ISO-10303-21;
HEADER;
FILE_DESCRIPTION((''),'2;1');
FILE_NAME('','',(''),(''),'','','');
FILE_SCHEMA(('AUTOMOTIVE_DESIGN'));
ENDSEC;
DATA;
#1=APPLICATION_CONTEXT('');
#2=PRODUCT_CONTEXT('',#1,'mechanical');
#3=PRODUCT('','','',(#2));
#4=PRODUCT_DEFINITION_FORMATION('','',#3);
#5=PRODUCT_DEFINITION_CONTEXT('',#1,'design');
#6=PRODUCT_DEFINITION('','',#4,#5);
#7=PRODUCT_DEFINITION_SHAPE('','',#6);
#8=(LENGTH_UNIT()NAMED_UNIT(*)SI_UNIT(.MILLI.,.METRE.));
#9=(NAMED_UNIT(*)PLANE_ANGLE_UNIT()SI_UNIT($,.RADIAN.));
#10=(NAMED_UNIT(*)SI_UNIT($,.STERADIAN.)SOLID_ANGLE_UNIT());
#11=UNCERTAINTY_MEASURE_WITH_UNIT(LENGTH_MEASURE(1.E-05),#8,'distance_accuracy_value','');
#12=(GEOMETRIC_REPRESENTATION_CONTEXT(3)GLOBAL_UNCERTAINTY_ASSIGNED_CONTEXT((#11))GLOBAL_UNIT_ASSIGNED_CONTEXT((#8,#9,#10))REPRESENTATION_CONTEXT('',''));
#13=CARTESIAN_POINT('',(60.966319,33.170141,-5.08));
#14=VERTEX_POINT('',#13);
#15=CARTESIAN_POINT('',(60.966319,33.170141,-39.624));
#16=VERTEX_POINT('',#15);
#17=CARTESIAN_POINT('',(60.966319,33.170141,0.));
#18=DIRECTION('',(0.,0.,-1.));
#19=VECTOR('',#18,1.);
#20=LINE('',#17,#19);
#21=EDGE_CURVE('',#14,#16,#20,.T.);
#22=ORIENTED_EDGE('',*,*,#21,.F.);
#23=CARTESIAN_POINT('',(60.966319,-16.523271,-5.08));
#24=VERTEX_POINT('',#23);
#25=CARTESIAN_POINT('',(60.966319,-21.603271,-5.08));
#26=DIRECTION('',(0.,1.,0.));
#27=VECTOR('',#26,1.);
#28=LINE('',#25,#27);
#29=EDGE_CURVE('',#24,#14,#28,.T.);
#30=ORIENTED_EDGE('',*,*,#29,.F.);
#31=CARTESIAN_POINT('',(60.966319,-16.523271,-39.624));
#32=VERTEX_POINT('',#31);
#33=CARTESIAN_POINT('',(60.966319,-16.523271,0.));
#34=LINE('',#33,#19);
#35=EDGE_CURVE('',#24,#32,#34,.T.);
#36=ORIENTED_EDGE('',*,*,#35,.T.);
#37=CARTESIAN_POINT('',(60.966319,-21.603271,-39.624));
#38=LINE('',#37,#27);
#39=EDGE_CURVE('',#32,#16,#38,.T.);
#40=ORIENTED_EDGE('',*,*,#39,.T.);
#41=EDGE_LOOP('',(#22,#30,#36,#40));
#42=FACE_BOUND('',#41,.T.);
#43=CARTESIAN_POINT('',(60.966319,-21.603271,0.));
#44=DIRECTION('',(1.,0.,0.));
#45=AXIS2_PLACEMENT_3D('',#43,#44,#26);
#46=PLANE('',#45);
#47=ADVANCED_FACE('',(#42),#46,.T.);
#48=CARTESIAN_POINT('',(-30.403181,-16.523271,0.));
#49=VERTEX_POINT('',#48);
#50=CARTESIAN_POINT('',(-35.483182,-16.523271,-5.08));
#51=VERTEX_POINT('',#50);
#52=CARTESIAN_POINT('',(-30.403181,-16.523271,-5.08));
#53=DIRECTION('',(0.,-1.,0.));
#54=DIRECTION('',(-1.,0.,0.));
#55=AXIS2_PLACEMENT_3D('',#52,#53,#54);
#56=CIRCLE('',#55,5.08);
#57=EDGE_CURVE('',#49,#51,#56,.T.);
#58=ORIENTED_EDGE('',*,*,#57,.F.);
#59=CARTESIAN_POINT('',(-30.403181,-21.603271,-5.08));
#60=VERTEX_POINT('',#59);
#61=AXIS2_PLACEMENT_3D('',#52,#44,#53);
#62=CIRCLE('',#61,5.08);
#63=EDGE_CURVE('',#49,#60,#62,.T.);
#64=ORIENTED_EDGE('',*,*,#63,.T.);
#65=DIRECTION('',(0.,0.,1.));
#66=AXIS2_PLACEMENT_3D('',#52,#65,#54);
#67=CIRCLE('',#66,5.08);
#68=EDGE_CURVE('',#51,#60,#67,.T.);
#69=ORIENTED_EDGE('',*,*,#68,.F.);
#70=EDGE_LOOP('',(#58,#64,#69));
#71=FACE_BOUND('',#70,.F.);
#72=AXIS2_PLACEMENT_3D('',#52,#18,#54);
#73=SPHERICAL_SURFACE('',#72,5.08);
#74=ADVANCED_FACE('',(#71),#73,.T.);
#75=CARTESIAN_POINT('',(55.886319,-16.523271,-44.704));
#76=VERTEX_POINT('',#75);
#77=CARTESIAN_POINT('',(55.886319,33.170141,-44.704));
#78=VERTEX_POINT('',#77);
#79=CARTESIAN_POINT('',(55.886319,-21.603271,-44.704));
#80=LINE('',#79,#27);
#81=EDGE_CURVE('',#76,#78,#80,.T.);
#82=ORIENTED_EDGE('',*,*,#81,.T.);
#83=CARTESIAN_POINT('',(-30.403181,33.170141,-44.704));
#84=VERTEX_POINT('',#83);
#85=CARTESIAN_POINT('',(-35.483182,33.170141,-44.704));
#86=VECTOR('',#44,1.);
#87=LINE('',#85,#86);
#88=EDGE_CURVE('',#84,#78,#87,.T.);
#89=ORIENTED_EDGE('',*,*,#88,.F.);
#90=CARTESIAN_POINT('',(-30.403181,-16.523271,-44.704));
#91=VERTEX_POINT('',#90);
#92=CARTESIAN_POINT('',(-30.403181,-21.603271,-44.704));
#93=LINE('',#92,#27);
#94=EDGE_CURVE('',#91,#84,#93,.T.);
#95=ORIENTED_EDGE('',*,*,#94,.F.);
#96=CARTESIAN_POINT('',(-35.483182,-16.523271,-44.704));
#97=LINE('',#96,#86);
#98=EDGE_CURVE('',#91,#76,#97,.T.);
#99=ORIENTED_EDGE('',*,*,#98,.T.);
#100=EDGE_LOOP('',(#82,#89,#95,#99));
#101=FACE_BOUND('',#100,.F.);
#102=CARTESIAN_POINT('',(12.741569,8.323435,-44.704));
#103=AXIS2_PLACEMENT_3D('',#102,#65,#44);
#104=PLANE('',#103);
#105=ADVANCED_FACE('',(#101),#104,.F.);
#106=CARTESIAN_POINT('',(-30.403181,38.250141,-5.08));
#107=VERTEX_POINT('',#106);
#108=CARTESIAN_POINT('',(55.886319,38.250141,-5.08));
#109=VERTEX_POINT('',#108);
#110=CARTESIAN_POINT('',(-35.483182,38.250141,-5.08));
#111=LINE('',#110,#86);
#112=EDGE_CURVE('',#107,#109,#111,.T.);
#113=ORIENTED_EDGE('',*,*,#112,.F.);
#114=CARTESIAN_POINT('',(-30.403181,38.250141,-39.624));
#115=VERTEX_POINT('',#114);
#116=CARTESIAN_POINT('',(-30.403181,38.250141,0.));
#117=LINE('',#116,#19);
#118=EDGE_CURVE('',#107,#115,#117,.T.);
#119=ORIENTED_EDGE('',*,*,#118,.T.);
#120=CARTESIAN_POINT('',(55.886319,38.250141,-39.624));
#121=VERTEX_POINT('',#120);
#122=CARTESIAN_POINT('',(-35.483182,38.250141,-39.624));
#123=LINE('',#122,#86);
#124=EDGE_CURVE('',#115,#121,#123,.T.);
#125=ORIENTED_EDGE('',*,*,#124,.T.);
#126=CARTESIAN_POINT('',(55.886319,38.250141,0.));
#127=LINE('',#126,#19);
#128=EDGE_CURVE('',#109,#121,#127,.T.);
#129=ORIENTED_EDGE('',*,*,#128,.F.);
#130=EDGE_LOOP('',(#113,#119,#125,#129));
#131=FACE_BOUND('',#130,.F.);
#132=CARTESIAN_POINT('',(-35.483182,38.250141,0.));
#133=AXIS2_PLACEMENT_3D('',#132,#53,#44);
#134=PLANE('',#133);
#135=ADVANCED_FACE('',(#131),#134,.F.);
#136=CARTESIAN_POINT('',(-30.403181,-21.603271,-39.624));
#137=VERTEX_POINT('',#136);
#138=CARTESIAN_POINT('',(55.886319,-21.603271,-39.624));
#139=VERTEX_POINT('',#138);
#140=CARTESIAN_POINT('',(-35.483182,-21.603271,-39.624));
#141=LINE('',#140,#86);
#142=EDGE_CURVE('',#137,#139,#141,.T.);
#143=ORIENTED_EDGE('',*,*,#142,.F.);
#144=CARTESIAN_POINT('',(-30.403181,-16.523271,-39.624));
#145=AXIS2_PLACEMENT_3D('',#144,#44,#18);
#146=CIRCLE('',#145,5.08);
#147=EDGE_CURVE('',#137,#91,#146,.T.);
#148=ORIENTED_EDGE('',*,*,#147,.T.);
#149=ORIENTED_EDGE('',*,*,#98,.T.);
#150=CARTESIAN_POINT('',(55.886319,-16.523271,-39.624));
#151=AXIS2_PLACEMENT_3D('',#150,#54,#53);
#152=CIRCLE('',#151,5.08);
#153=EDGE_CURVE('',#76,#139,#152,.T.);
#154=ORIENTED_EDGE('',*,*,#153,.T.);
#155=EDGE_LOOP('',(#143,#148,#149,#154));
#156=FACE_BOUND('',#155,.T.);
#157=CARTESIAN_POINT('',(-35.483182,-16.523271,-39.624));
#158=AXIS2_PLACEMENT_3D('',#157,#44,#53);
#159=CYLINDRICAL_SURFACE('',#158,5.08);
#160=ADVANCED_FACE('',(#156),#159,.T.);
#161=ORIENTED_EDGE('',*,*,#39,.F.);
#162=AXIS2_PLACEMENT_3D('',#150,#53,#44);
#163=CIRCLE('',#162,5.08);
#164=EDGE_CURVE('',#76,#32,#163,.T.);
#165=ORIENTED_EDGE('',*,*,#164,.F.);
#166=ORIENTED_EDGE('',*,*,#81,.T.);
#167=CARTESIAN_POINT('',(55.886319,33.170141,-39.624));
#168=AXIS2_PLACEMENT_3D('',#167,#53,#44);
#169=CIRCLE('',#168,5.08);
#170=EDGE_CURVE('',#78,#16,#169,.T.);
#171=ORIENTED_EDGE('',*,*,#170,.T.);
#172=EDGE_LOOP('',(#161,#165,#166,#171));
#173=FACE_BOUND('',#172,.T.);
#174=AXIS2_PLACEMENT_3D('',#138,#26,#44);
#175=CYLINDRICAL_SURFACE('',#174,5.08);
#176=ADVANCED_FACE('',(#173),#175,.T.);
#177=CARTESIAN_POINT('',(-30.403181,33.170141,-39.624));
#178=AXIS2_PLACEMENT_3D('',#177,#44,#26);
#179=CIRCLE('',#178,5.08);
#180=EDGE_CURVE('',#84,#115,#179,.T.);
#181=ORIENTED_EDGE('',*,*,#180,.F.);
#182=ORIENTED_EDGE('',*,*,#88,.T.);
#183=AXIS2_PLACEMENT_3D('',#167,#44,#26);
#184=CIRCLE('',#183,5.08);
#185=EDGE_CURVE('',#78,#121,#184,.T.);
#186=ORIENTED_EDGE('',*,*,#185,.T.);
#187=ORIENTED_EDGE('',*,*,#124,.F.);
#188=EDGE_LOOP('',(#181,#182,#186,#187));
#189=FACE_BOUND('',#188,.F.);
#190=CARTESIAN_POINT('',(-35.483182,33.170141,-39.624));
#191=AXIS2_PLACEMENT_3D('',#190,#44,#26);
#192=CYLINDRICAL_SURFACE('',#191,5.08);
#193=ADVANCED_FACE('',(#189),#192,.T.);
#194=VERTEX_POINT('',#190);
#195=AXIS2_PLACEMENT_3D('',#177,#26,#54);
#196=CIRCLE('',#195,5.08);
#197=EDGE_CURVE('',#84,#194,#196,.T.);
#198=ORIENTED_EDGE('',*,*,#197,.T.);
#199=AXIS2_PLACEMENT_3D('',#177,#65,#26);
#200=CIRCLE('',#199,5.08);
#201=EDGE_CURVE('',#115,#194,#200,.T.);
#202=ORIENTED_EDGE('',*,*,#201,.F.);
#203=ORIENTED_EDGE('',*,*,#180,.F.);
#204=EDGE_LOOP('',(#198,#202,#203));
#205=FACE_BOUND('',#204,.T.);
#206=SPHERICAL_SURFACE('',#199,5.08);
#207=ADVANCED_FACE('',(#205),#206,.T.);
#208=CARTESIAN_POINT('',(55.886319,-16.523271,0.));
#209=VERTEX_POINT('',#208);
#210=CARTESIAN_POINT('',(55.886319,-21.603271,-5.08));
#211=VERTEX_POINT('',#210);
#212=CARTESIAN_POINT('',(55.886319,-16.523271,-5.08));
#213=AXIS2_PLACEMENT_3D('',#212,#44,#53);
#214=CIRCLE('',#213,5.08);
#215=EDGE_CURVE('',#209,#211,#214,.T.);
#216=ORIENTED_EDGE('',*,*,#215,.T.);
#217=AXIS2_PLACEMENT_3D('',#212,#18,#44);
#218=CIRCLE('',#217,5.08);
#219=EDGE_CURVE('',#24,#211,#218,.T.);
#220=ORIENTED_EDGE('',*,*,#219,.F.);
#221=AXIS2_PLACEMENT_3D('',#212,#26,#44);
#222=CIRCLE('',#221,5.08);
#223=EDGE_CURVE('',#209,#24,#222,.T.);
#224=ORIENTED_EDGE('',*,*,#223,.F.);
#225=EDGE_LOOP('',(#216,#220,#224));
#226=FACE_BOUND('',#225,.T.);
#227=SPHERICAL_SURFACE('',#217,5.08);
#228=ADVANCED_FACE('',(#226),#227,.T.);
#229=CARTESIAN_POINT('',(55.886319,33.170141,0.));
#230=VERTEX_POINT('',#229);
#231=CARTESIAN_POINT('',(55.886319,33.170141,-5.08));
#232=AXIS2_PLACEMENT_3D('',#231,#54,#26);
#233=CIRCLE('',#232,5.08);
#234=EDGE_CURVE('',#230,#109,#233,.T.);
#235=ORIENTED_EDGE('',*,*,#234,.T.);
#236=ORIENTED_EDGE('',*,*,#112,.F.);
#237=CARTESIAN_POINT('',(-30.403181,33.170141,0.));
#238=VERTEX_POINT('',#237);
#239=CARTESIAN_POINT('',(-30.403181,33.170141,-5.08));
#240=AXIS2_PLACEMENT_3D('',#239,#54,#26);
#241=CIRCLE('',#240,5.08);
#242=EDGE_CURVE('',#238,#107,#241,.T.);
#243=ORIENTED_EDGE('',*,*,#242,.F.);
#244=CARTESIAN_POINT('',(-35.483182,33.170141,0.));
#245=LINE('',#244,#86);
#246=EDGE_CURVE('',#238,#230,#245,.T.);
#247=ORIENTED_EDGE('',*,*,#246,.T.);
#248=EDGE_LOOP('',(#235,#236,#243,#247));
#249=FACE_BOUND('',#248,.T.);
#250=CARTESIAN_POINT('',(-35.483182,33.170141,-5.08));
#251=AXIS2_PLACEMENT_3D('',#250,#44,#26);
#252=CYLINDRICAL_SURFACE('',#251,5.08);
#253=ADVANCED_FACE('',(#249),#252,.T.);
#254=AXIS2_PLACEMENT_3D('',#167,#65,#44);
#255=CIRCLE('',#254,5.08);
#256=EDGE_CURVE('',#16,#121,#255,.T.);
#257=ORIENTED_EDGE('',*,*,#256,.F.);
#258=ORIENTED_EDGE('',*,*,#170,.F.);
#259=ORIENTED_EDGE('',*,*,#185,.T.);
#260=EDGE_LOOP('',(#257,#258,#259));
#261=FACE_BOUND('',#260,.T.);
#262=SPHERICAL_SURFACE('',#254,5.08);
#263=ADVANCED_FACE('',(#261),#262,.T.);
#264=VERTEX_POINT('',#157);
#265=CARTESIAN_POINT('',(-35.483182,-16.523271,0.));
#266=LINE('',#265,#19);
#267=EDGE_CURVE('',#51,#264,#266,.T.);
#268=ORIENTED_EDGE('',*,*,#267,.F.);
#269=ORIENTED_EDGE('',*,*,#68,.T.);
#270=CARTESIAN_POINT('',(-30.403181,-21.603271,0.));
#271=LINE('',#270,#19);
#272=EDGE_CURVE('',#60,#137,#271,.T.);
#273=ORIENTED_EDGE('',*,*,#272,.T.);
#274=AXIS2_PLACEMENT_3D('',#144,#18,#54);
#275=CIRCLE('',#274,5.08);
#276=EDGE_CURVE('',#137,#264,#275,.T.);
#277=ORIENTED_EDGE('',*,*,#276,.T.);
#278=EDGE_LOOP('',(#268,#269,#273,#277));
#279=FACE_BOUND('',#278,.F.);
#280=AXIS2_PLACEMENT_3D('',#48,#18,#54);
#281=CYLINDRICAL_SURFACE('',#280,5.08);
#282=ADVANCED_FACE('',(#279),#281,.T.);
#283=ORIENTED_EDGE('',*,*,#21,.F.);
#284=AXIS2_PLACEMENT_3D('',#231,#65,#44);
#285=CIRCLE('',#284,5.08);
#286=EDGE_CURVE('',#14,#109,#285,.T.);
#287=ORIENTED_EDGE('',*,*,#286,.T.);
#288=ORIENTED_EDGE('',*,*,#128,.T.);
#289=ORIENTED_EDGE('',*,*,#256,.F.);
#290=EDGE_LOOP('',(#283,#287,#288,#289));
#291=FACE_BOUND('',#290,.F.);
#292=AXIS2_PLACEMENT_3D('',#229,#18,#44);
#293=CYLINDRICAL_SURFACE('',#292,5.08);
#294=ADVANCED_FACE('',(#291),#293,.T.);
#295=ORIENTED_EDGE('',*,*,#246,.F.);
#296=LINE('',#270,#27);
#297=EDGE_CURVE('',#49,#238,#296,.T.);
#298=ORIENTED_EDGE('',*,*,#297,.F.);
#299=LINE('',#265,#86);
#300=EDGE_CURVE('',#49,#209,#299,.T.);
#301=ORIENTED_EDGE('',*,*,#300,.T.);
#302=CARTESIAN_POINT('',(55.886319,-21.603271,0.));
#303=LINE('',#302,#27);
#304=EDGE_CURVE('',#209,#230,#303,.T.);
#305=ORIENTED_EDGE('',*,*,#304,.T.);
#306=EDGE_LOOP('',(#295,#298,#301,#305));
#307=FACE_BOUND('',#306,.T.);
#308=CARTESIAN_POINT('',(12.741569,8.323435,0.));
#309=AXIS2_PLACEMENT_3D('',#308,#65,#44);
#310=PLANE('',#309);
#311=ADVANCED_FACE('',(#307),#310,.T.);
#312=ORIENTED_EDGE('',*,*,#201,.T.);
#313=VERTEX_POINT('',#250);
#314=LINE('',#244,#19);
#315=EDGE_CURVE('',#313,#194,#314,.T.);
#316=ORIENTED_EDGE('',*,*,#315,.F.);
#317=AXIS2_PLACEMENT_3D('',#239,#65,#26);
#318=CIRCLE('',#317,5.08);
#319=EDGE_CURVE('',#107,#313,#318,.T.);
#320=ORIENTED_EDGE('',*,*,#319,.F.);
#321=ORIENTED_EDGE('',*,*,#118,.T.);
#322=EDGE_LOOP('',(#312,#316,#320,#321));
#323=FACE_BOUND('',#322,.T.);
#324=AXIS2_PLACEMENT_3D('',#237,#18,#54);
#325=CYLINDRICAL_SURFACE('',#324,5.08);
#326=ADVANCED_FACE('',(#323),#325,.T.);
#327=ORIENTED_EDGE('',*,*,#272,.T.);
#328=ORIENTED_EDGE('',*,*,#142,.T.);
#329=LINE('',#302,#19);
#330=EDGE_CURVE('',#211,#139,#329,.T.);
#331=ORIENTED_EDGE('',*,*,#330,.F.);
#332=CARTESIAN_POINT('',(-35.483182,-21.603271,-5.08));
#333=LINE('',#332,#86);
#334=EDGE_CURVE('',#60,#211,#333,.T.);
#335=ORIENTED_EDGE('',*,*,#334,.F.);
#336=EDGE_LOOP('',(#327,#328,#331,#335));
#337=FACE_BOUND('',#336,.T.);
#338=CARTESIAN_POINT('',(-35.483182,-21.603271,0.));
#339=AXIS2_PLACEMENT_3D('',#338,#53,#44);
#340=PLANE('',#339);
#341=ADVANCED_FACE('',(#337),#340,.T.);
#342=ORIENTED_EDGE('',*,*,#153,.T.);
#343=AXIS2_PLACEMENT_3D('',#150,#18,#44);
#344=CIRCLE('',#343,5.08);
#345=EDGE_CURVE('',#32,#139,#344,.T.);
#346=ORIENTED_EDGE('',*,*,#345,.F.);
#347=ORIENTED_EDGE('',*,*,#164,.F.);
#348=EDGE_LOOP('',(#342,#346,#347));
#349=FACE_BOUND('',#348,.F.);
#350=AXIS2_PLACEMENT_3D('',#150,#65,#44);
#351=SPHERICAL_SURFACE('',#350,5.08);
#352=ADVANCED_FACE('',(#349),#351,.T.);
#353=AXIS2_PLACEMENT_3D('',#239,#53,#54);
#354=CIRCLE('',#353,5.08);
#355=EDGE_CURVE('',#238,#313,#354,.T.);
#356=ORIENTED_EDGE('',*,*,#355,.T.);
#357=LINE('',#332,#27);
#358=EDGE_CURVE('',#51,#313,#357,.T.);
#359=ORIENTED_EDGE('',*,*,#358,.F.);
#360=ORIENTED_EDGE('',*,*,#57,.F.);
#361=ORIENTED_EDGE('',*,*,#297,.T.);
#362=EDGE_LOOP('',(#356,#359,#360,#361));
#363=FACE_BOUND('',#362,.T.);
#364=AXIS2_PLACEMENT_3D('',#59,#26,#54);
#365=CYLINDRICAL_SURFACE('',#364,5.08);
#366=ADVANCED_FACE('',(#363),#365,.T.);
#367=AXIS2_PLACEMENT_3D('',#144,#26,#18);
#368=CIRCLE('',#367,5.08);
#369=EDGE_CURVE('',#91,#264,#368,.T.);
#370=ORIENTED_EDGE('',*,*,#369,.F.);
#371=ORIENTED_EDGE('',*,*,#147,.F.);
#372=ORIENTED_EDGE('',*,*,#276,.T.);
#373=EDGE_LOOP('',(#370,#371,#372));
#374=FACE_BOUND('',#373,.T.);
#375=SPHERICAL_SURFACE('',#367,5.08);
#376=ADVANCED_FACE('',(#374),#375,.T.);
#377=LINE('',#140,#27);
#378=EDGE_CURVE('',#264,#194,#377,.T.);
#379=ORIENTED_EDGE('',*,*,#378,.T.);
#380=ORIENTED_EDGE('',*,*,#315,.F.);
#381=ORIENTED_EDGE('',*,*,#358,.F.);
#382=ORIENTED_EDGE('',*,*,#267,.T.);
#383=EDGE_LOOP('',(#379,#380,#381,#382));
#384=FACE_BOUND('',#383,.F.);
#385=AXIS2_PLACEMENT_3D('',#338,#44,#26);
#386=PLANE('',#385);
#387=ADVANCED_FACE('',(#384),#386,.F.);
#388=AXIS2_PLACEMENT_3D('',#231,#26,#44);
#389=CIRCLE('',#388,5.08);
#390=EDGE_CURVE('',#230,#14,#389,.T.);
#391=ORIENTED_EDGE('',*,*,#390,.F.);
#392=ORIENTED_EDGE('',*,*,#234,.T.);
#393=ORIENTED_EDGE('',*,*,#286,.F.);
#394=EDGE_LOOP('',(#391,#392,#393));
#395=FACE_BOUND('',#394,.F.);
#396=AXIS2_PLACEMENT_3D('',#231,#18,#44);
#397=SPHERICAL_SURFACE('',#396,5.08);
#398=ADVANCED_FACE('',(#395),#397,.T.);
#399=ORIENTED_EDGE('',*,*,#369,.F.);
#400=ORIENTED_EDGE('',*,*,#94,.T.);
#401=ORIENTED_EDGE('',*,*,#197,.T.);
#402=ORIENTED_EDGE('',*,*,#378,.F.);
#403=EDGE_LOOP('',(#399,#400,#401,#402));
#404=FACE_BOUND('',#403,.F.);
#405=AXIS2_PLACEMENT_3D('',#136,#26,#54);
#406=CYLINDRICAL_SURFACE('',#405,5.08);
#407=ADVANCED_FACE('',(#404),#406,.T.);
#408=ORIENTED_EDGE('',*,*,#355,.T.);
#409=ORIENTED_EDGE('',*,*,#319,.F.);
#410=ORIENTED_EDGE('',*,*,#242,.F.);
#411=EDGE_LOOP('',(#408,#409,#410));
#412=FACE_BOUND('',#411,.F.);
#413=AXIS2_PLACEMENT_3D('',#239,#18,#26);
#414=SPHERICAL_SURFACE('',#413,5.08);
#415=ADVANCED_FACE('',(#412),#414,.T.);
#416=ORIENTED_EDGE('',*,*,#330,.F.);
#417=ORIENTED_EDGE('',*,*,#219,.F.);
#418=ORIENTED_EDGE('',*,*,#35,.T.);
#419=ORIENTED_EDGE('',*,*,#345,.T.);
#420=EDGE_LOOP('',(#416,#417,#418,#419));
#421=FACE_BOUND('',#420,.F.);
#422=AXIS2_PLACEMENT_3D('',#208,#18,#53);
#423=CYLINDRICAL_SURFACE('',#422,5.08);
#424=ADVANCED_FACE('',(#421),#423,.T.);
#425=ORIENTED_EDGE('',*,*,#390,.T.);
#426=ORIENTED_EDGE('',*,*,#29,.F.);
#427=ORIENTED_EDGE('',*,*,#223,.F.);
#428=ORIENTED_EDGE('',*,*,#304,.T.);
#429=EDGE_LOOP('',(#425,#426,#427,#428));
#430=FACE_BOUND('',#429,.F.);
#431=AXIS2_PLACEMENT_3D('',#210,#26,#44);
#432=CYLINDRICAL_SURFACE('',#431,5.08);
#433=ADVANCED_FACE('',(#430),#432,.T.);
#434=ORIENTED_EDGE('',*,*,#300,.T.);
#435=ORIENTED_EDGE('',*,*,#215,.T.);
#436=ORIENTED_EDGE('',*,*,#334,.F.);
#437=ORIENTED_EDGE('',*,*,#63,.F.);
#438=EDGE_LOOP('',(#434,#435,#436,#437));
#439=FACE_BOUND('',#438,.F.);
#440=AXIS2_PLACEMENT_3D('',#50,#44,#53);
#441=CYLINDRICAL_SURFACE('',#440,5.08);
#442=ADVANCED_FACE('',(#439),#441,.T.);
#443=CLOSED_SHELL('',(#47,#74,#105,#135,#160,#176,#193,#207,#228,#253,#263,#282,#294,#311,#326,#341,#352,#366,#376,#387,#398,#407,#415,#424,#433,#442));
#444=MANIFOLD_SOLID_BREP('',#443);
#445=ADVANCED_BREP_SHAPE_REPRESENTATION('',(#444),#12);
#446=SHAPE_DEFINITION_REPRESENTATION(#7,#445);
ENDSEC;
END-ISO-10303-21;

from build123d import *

# Parameters (mm, degrees)
F0_W     = 96.449501
F0_H     = 59.853412
F1_DEPTH = 44.704
F2_R     = 5.08


with BuildPart() as f1:
    # F0 (on Top) → F1 (new body)
    with BuildSketch(Plane.XY):
        with Locations((12.741569, 8.323435)):
            Rectangle(F0_W, F0_H)
    extrude(amount=-F1_DEPTH)

    # F2
    f2_edges = [f1.edges().sort_by_distance(p)[0] for p in [
        (60.96632, -21.603271, -22.352),
        (60.96632, 38.250141, -22.352),
        (60.96632, 8.323435, 0),
        (60.96632, 8.323435, -44.704),
        (-35.483181, 38.250141, -22.352),
        (12.741569, 38.250141, 0),
        (12.741569, 38.250141, -44.704),
        (-35.483181, 8.323435, -44.704),
        (12.741569, -21.603271, -44.704),
        (-35.483181, -21.603271, -22.352),
        (-35.483181, 8.323435, 0),
        (12.741569, -21.603271, 0),
    ]]
    fillet(f2_edges, radius=F2_R)


solid = f1.part
